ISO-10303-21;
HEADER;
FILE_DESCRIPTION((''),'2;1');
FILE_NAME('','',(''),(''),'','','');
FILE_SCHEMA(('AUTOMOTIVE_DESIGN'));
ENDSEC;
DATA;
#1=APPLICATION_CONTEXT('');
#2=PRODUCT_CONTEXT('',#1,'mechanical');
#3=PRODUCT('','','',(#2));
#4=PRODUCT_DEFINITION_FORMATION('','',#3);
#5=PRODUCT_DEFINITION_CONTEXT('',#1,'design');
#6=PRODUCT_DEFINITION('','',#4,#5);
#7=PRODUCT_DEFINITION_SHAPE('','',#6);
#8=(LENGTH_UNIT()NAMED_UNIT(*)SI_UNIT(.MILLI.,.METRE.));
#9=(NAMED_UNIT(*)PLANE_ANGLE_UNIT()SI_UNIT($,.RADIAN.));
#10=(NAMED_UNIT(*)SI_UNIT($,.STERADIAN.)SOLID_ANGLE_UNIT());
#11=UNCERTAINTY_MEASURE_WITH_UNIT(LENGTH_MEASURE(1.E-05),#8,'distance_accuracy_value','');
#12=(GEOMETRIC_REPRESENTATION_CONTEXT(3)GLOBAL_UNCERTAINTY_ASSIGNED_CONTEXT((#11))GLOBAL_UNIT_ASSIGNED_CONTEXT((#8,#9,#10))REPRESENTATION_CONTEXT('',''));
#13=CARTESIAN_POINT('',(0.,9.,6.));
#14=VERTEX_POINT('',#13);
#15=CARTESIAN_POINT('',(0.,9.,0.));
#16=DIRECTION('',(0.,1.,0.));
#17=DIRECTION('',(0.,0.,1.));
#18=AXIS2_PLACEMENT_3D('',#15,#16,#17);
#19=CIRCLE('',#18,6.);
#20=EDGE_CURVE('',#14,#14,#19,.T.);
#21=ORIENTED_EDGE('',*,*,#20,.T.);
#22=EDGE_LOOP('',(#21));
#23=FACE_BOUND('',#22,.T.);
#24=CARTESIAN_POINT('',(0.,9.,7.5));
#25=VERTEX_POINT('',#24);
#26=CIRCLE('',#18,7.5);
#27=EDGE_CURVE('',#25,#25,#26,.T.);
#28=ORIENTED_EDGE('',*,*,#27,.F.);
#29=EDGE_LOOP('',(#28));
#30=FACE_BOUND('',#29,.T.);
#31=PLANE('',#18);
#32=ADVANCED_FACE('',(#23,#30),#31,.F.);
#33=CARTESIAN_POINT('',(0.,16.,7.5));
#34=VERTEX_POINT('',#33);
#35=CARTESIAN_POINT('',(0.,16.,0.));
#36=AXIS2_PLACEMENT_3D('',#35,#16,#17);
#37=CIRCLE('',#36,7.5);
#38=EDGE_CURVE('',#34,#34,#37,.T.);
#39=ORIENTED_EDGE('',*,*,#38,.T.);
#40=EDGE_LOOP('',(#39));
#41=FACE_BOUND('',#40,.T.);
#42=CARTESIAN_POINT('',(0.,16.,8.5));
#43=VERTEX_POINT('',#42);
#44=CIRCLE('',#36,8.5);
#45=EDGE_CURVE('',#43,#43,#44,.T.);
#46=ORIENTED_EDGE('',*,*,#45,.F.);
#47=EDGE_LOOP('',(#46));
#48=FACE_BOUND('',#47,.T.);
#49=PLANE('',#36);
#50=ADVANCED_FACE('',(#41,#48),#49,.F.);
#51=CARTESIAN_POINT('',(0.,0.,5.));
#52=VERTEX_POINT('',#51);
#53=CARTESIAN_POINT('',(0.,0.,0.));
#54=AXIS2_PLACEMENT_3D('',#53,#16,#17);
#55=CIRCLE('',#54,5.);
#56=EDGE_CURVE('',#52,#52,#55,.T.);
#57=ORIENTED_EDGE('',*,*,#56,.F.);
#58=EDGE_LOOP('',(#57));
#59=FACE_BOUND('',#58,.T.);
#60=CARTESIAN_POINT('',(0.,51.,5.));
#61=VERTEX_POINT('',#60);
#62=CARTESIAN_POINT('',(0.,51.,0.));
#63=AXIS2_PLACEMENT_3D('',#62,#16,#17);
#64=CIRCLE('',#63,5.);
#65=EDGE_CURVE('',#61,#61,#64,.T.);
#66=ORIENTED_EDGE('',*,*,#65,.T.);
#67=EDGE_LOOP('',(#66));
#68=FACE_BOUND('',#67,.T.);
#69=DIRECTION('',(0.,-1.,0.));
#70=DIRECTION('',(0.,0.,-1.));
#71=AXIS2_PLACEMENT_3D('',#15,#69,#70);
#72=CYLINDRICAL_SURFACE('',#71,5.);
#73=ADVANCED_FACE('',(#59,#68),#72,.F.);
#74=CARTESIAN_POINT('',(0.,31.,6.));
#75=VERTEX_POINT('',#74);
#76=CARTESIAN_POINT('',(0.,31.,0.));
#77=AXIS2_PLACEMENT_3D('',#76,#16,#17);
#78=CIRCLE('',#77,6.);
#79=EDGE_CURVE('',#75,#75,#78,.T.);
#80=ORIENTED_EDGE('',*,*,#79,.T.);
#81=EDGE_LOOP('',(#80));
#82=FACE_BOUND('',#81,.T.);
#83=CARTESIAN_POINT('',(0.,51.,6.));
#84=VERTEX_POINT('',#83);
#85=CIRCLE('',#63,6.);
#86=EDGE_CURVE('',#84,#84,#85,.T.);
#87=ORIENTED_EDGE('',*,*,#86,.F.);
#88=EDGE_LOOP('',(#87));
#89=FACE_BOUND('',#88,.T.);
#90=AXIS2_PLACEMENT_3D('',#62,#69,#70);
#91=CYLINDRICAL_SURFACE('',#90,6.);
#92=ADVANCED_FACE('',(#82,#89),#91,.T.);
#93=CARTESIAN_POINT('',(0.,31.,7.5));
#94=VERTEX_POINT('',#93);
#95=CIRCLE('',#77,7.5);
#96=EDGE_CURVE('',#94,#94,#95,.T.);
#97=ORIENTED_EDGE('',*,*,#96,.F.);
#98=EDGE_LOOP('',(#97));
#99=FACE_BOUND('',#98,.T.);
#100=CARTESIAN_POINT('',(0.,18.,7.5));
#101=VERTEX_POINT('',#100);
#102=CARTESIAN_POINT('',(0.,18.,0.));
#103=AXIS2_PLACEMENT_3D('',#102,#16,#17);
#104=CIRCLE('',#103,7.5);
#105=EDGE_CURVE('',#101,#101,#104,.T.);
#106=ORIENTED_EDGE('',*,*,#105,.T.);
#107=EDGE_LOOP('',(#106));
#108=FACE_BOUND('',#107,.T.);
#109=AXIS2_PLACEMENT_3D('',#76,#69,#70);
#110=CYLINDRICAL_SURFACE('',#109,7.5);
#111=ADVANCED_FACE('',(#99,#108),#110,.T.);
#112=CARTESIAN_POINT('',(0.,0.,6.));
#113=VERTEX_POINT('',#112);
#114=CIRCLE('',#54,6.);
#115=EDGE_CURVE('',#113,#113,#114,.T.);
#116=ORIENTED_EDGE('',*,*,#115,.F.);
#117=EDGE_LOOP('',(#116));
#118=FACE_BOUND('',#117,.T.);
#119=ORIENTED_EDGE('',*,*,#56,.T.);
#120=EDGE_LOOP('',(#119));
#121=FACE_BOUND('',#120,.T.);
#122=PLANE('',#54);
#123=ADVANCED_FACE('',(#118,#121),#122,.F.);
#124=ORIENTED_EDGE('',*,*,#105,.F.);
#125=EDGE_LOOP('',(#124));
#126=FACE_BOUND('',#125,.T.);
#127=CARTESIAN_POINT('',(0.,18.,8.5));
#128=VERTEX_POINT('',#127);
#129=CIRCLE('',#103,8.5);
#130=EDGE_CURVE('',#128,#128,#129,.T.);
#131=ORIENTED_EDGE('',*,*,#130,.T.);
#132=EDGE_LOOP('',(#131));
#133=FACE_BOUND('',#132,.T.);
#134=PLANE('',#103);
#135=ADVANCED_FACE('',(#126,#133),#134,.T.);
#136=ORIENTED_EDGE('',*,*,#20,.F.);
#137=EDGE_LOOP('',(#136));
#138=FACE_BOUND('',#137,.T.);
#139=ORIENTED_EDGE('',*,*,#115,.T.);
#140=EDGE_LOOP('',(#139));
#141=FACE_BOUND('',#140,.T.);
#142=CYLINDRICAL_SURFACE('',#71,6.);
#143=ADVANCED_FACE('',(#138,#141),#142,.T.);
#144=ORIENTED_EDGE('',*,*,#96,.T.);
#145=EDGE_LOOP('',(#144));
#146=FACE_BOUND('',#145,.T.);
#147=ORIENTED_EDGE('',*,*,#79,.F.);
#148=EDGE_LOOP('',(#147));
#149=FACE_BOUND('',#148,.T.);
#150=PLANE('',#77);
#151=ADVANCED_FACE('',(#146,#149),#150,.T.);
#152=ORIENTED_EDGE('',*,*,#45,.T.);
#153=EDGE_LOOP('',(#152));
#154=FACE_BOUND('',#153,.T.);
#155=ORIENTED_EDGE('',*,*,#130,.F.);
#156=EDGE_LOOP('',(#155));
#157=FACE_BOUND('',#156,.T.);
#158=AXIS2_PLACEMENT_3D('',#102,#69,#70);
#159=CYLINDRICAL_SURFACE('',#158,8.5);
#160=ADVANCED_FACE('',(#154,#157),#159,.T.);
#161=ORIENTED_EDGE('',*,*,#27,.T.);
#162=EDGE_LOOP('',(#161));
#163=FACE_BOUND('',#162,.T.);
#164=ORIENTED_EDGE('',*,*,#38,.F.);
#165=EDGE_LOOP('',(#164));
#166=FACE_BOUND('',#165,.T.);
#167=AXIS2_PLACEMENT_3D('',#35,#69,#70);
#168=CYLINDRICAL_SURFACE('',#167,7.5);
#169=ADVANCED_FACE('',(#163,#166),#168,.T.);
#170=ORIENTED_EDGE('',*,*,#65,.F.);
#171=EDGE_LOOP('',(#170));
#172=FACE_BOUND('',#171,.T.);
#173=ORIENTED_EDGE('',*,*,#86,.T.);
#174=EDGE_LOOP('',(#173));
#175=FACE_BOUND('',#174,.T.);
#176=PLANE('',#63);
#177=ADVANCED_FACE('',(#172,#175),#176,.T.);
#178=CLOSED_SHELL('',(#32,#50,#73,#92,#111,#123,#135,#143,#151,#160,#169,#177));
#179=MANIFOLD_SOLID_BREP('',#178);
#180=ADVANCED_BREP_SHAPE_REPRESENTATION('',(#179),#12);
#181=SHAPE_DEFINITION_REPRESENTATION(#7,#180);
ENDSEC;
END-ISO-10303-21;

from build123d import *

# Parameters (mm, degrees)
ESQUISSE1_R        = 6
ESQUISSE1_R_2      = 5
BOSS_EXTRU_1_DEPTH = 9
ESQUISSE2_R        = 7.5
ESQUISSE2_R_2      = 5
BOSS_EXTRU_2_DEPTH = 7
ESQUISSE3_R        = 8.5
ESQUISSE3_R_2      = 5
BOSS_EXTRU_3_DEPTH = 2
ESQUISSE4_R        = 7.5
ESQUISSE4_R_2      = 5
BOSS_EXTRU_4_DEPTH = 13
ESQUISSE5_R        = 6
ESQUISSE5_R_2      = 5
BOSS_EXTRU_5_DEPTH = 20


with BuildPart() as part:
    # Esquisse1 → Boss.-Extru.1 (new body)
    with BuildSketch(Plane(origin=(0, 0, 0), x_dir=(1, 0, 0), z_dir=(0, 1, 0))):
        Circle(ESQUISSE1_R)
        Circle(ESQUISSE1_R_2, mode=Mode.SUBTRACT)
    extrude(amount=BOSS_EXTRU_1_DEPTH)

    # Esquisse2 → Boss.-Extru.2 (add)
    with BuildSketch(Plane(origin=(0, 9, 0), x_dir=(1, 0, 0), z_dir=(0, 1, 0))):
        Circle(ESQUISSE2_R)
        Circle(ESQUISSE2_R_2, mode=Mode.SUBTRACT)
    extrude(amount=BOSS_EXTRU_2_DEPTH)

    # Esquisse3 → Boss.-Extru.3 (add)
    with BuildSketch(Plane(origin=(0, 16, 0), x_dir=(1, 0, 0), z_dir=(0, 1, 0))):
        Circle(ESQUISSE3_R)
        Circle(ESQUISSE3_R_2, mode=Mode.SUBTRACT)
    extrude(amount=BOSS_EXTRU_3_DEPTH)

    # Esquisse4 → Boss.-Extru.4 (add)
    with BuildSketch(Plane(origin=(0, 18, 0), x_dir=(1, 0, 0), z_dir=(0, 1, 0))):
        Circle(ESQUISSE4_R)
        Circle(ESQUISSE4_R_2, mode=Mode.SUBTRACT)
    extrude(amount=BOSS_EXTRU_4_DEPTH)

    # Esquisse5 → Boss.-Extru.5 (add)
    with BuildSketch(Plane(origin=(0, 31, 0), x_dir=(1, 0, 0), z_dir=(0, 1, 0))):
        Circle(ESQUISSE5_R)
        Circle(ESQUISSE5_R_2, mode=Mode.SUBTRACT)
    extrude(amount=BOSS_EXTRU_5_DEPTH)


solid = part.part
